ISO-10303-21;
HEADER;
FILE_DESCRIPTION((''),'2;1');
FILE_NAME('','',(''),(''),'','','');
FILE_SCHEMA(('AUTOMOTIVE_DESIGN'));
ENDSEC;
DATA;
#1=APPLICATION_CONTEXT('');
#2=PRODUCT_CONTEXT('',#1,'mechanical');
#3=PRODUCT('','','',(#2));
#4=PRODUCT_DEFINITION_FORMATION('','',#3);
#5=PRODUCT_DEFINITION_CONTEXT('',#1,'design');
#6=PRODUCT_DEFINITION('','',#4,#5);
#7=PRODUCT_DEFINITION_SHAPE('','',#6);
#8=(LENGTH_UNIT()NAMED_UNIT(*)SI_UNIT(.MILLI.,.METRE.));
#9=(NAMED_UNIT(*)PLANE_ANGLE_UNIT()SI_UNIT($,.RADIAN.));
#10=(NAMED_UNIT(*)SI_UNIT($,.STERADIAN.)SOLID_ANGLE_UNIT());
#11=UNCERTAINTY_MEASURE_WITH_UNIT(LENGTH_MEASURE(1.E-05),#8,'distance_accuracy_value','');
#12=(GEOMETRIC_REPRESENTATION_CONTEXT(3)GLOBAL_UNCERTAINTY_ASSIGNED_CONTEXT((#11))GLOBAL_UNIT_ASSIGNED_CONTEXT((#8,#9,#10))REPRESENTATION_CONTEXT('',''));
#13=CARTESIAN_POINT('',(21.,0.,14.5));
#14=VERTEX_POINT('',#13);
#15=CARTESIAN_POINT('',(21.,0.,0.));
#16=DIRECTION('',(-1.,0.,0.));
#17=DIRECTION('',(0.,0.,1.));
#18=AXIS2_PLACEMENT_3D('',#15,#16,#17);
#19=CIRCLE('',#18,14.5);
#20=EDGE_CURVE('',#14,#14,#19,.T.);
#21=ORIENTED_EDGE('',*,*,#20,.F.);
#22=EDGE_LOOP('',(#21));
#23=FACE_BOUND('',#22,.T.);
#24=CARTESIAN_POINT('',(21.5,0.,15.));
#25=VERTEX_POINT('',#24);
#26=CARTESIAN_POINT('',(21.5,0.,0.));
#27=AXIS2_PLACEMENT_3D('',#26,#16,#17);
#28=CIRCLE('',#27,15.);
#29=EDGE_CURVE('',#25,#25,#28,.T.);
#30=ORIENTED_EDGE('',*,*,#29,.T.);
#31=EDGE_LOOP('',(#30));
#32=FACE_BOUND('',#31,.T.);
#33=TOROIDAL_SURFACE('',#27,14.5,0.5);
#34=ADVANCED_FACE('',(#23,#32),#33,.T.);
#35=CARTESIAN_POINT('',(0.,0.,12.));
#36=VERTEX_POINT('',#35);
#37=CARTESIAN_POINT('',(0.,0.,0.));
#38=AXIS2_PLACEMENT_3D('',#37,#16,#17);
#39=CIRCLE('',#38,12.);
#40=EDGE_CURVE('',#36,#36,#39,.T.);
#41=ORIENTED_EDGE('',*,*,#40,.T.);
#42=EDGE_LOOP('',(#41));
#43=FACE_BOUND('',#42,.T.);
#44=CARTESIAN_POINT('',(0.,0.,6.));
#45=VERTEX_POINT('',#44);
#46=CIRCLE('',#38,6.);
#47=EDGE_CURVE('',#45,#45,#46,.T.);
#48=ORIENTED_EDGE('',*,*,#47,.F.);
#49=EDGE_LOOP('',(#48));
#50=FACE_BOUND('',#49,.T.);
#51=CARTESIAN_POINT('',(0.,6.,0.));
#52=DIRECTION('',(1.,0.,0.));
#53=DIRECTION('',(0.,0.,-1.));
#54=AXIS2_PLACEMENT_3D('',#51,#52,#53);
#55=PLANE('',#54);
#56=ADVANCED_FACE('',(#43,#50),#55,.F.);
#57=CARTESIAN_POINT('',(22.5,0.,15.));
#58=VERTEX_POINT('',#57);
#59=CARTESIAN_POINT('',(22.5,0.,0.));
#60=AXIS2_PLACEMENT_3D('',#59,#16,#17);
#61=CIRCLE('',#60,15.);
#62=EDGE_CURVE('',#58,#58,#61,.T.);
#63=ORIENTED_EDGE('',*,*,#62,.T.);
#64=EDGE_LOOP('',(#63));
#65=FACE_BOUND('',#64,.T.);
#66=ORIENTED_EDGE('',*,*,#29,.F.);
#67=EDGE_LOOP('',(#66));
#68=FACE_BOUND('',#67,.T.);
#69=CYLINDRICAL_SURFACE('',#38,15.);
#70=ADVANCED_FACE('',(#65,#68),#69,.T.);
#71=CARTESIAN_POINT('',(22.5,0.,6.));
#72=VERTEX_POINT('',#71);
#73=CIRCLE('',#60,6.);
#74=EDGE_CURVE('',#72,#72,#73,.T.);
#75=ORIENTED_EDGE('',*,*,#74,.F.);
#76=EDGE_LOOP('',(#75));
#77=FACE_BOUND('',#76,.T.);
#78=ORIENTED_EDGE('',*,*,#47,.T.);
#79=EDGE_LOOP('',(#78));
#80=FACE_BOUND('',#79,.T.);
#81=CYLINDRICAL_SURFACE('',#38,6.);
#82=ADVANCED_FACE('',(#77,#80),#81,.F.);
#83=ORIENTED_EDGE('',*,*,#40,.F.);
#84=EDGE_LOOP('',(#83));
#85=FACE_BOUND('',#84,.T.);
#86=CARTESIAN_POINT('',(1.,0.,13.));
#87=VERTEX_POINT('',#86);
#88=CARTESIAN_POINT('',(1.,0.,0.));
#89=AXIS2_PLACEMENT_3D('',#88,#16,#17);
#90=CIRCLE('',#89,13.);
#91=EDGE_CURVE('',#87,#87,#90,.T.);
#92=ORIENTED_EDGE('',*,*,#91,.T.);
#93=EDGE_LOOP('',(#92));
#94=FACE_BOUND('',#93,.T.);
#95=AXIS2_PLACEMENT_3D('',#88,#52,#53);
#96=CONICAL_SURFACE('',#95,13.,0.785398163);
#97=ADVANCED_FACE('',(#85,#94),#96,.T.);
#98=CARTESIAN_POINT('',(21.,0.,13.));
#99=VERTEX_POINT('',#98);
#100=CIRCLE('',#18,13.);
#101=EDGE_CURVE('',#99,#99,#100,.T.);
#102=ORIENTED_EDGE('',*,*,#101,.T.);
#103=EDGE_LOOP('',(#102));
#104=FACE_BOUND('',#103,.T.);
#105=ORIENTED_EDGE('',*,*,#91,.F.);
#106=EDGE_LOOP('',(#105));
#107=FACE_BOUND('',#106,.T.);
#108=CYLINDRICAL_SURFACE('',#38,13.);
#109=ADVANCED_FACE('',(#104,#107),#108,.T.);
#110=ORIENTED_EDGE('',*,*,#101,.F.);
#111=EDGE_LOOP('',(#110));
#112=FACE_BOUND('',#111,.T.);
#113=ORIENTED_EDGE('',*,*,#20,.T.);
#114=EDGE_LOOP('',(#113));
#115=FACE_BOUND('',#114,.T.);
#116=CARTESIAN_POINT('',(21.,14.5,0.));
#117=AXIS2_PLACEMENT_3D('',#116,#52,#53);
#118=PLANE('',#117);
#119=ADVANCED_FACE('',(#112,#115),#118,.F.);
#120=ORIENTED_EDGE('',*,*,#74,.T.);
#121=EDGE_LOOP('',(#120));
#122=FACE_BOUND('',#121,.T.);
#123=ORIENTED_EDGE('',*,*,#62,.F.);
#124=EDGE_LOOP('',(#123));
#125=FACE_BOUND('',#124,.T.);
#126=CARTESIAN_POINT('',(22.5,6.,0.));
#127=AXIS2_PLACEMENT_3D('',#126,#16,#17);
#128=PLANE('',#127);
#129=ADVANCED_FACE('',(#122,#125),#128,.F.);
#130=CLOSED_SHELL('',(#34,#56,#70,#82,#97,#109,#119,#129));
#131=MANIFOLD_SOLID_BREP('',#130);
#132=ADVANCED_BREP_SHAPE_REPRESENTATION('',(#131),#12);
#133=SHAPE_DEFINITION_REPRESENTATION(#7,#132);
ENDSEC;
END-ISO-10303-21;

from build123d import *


with BuildPart() as part:
    # Esquisse1 → Révolution1 (revolve)
    with BuildSketch(Plane.XY, mode=Mode.PRIVATE) as r_volution1_sk:
        with BuildLine():
            Line((0, 6), (22.5, 6))
            Line((22.5, 6), (22.5, 15))
            Line((22.5, 15), (21.5, 15))
            ThreePointArc((21.5, 15), (21.146446609, 14.853553391), (21, 14.5))
            Line((21, 14.5), (21, 13))
            Line((21, 13), (1, 13))
            Line((1, 13), (0, 12))
            Line((0, 12), (0, 6))
        make_face()
    revolve(r_volution1_sk.sketch.rotate(Axis((0, 0, 0), (1, 0, 0)), 90), axis=Axis((0, 0, 0), (1, 0, 0)))  # turned: the seam where the file's is


solid = part.part
